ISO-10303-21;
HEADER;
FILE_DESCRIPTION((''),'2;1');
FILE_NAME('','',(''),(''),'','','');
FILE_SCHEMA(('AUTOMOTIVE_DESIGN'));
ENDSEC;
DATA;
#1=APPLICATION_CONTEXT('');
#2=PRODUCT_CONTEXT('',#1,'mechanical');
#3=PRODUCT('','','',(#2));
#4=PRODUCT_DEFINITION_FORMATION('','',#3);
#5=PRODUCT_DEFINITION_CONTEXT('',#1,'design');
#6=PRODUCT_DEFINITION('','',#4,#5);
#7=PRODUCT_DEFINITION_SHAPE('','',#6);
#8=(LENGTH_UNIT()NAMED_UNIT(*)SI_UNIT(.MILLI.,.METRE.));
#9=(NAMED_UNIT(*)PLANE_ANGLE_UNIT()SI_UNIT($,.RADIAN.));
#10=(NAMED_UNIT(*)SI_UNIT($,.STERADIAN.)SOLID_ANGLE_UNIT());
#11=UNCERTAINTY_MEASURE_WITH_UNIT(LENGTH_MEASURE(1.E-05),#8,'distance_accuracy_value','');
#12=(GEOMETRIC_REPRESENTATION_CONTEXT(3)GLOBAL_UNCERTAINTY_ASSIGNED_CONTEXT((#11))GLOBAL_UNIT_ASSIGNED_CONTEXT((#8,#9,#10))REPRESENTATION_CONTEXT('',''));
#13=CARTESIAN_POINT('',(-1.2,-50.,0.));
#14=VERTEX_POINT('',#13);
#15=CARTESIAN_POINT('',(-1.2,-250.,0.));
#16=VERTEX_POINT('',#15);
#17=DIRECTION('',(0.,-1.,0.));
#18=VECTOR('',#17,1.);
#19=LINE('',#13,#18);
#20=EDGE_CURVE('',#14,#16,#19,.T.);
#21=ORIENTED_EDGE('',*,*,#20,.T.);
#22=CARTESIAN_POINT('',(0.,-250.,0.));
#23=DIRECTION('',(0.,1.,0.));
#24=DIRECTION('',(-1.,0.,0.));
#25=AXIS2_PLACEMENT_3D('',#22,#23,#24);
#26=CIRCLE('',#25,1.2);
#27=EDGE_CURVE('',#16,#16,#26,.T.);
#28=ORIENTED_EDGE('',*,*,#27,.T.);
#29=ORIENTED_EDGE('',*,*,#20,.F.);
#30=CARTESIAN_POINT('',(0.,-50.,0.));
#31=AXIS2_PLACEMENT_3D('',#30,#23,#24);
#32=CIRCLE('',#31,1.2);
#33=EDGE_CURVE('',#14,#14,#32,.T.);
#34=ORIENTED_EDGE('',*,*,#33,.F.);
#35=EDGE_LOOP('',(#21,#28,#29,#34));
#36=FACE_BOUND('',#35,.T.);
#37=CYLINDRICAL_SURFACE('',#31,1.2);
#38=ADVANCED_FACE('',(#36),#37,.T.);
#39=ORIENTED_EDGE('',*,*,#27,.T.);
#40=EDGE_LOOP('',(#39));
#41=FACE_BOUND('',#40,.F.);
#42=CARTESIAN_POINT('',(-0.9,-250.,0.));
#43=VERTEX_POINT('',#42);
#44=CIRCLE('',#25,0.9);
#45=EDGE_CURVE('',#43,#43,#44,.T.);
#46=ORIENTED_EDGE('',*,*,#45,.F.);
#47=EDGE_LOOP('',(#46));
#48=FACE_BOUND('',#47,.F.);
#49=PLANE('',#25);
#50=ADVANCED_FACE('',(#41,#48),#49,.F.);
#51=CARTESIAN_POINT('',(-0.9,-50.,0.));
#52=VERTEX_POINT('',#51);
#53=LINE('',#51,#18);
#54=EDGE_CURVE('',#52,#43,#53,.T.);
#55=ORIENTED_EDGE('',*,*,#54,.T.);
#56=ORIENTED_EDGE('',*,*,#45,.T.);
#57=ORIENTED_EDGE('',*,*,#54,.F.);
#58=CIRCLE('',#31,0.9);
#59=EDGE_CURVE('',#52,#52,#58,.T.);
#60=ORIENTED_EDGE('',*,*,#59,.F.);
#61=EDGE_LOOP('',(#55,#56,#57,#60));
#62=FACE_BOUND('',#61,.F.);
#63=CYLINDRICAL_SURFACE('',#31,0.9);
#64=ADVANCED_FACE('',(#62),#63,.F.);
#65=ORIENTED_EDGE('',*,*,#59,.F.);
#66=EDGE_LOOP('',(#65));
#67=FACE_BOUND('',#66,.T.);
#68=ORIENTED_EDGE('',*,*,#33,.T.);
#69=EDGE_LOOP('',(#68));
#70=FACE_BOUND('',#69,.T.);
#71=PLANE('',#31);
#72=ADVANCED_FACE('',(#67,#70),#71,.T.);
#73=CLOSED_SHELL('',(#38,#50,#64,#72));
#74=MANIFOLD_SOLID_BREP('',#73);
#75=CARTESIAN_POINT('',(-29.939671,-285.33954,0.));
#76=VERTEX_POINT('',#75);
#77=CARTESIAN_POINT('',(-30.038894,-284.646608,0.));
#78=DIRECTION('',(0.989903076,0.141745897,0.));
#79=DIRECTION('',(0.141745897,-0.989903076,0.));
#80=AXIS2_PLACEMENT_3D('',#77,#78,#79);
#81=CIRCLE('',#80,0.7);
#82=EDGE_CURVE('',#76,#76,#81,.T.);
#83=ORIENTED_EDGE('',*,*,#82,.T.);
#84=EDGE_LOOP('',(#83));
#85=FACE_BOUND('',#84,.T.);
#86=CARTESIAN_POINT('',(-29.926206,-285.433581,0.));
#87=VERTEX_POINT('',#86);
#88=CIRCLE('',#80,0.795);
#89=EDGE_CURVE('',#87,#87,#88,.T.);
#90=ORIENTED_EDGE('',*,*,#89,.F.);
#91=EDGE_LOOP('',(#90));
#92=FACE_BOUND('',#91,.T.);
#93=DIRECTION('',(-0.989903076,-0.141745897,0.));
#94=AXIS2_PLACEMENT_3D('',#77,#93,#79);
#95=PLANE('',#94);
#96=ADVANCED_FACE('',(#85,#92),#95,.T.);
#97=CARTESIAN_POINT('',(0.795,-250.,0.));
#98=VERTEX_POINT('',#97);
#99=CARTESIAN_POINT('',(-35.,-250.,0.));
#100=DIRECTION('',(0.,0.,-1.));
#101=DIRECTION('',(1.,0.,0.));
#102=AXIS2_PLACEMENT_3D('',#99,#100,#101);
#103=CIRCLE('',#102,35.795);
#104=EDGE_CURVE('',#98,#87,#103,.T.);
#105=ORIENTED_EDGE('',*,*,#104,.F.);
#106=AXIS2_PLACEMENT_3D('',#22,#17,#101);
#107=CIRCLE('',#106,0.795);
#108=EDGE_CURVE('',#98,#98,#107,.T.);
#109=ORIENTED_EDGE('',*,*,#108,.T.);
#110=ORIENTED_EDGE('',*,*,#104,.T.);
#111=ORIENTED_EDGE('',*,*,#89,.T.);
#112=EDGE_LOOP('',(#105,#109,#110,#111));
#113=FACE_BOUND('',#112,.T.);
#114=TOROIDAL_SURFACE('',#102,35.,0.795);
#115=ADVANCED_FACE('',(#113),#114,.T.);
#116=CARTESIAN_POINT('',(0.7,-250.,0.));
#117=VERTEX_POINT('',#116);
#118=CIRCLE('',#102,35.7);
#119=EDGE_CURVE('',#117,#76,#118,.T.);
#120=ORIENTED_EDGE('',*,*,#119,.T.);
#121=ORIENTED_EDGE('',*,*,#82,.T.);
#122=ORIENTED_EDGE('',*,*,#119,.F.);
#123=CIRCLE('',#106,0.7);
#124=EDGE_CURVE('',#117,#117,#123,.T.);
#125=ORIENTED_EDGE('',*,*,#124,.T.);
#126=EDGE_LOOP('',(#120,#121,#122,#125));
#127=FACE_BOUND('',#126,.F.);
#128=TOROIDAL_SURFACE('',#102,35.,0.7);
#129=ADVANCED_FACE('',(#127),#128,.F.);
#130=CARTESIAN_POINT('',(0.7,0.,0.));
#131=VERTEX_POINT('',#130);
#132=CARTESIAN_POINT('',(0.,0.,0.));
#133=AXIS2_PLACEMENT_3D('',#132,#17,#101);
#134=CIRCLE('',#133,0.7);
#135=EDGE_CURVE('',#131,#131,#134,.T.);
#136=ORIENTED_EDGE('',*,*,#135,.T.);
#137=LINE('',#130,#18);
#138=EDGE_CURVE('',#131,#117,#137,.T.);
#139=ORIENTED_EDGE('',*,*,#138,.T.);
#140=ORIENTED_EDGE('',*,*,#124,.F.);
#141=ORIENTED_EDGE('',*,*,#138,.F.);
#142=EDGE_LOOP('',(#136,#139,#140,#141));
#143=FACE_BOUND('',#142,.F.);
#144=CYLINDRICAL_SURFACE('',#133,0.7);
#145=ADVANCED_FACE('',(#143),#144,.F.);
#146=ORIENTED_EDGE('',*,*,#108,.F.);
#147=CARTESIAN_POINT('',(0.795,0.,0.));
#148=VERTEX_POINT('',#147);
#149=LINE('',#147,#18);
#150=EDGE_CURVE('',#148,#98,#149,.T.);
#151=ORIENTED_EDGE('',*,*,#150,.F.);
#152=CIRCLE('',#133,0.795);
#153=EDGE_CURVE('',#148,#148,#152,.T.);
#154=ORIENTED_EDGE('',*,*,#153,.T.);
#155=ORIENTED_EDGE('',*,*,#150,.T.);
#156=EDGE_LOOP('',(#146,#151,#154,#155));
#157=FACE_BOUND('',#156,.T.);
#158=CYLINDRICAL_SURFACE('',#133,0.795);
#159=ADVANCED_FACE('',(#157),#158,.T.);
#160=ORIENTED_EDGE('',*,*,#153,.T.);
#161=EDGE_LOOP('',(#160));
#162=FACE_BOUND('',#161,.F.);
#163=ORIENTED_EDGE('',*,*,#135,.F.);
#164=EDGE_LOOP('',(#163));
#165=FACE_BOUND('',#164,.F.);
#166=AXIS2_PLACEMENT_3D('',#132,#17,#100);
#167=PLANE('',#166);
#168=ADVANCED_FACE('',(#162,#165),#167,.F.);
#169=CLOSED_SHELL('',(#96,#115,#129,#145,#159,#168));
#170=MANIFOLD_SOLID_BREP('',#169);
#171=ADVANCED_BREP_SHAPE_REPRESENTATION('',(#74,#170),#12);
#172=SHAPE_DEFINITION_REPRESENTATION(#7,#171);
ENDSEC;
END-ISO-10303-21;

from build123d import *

# Parameters (mm, degrees)
F1_R     = 0.795
F1_R_2   = 0.7
F5_R     = 1.2
F5_R_2   = 0.9
F6_DEPTH = 200


with BuildPart() as f3:
    # F3: sweep along a path in F2
    with BuildLine(Plane.XY) as f3_path:
        Line((0, 0), (0, -250))
        ThreePointArc((0, -250), (-8.5553528655, -272.9277264012), (-30.038893596, -284.646607673))
    # F1 (on Front) → F3 (sweep)
    with BuildSketch(Plane.XZ):
        Circle(F1_R)
        Circle(F1_R_2, mode=Mode.SUBTRACT)
    sweep(path=f3_path.line)


with BuildPart() as f6:
    # F5 (on offset) → F6 (new body)
    with BuildSketch(Plane(origin=(0, -50, 0), x_dir=(-1, 0, 0), z_dir=(0, 1, 0))):
        Circle(F5_R)
        Circle(F5_R_2, mode=Mode.SUBTRACT)
    extrude(amount=-F6_DEPTH)


solid = Compound([f3.part, f6.part])
